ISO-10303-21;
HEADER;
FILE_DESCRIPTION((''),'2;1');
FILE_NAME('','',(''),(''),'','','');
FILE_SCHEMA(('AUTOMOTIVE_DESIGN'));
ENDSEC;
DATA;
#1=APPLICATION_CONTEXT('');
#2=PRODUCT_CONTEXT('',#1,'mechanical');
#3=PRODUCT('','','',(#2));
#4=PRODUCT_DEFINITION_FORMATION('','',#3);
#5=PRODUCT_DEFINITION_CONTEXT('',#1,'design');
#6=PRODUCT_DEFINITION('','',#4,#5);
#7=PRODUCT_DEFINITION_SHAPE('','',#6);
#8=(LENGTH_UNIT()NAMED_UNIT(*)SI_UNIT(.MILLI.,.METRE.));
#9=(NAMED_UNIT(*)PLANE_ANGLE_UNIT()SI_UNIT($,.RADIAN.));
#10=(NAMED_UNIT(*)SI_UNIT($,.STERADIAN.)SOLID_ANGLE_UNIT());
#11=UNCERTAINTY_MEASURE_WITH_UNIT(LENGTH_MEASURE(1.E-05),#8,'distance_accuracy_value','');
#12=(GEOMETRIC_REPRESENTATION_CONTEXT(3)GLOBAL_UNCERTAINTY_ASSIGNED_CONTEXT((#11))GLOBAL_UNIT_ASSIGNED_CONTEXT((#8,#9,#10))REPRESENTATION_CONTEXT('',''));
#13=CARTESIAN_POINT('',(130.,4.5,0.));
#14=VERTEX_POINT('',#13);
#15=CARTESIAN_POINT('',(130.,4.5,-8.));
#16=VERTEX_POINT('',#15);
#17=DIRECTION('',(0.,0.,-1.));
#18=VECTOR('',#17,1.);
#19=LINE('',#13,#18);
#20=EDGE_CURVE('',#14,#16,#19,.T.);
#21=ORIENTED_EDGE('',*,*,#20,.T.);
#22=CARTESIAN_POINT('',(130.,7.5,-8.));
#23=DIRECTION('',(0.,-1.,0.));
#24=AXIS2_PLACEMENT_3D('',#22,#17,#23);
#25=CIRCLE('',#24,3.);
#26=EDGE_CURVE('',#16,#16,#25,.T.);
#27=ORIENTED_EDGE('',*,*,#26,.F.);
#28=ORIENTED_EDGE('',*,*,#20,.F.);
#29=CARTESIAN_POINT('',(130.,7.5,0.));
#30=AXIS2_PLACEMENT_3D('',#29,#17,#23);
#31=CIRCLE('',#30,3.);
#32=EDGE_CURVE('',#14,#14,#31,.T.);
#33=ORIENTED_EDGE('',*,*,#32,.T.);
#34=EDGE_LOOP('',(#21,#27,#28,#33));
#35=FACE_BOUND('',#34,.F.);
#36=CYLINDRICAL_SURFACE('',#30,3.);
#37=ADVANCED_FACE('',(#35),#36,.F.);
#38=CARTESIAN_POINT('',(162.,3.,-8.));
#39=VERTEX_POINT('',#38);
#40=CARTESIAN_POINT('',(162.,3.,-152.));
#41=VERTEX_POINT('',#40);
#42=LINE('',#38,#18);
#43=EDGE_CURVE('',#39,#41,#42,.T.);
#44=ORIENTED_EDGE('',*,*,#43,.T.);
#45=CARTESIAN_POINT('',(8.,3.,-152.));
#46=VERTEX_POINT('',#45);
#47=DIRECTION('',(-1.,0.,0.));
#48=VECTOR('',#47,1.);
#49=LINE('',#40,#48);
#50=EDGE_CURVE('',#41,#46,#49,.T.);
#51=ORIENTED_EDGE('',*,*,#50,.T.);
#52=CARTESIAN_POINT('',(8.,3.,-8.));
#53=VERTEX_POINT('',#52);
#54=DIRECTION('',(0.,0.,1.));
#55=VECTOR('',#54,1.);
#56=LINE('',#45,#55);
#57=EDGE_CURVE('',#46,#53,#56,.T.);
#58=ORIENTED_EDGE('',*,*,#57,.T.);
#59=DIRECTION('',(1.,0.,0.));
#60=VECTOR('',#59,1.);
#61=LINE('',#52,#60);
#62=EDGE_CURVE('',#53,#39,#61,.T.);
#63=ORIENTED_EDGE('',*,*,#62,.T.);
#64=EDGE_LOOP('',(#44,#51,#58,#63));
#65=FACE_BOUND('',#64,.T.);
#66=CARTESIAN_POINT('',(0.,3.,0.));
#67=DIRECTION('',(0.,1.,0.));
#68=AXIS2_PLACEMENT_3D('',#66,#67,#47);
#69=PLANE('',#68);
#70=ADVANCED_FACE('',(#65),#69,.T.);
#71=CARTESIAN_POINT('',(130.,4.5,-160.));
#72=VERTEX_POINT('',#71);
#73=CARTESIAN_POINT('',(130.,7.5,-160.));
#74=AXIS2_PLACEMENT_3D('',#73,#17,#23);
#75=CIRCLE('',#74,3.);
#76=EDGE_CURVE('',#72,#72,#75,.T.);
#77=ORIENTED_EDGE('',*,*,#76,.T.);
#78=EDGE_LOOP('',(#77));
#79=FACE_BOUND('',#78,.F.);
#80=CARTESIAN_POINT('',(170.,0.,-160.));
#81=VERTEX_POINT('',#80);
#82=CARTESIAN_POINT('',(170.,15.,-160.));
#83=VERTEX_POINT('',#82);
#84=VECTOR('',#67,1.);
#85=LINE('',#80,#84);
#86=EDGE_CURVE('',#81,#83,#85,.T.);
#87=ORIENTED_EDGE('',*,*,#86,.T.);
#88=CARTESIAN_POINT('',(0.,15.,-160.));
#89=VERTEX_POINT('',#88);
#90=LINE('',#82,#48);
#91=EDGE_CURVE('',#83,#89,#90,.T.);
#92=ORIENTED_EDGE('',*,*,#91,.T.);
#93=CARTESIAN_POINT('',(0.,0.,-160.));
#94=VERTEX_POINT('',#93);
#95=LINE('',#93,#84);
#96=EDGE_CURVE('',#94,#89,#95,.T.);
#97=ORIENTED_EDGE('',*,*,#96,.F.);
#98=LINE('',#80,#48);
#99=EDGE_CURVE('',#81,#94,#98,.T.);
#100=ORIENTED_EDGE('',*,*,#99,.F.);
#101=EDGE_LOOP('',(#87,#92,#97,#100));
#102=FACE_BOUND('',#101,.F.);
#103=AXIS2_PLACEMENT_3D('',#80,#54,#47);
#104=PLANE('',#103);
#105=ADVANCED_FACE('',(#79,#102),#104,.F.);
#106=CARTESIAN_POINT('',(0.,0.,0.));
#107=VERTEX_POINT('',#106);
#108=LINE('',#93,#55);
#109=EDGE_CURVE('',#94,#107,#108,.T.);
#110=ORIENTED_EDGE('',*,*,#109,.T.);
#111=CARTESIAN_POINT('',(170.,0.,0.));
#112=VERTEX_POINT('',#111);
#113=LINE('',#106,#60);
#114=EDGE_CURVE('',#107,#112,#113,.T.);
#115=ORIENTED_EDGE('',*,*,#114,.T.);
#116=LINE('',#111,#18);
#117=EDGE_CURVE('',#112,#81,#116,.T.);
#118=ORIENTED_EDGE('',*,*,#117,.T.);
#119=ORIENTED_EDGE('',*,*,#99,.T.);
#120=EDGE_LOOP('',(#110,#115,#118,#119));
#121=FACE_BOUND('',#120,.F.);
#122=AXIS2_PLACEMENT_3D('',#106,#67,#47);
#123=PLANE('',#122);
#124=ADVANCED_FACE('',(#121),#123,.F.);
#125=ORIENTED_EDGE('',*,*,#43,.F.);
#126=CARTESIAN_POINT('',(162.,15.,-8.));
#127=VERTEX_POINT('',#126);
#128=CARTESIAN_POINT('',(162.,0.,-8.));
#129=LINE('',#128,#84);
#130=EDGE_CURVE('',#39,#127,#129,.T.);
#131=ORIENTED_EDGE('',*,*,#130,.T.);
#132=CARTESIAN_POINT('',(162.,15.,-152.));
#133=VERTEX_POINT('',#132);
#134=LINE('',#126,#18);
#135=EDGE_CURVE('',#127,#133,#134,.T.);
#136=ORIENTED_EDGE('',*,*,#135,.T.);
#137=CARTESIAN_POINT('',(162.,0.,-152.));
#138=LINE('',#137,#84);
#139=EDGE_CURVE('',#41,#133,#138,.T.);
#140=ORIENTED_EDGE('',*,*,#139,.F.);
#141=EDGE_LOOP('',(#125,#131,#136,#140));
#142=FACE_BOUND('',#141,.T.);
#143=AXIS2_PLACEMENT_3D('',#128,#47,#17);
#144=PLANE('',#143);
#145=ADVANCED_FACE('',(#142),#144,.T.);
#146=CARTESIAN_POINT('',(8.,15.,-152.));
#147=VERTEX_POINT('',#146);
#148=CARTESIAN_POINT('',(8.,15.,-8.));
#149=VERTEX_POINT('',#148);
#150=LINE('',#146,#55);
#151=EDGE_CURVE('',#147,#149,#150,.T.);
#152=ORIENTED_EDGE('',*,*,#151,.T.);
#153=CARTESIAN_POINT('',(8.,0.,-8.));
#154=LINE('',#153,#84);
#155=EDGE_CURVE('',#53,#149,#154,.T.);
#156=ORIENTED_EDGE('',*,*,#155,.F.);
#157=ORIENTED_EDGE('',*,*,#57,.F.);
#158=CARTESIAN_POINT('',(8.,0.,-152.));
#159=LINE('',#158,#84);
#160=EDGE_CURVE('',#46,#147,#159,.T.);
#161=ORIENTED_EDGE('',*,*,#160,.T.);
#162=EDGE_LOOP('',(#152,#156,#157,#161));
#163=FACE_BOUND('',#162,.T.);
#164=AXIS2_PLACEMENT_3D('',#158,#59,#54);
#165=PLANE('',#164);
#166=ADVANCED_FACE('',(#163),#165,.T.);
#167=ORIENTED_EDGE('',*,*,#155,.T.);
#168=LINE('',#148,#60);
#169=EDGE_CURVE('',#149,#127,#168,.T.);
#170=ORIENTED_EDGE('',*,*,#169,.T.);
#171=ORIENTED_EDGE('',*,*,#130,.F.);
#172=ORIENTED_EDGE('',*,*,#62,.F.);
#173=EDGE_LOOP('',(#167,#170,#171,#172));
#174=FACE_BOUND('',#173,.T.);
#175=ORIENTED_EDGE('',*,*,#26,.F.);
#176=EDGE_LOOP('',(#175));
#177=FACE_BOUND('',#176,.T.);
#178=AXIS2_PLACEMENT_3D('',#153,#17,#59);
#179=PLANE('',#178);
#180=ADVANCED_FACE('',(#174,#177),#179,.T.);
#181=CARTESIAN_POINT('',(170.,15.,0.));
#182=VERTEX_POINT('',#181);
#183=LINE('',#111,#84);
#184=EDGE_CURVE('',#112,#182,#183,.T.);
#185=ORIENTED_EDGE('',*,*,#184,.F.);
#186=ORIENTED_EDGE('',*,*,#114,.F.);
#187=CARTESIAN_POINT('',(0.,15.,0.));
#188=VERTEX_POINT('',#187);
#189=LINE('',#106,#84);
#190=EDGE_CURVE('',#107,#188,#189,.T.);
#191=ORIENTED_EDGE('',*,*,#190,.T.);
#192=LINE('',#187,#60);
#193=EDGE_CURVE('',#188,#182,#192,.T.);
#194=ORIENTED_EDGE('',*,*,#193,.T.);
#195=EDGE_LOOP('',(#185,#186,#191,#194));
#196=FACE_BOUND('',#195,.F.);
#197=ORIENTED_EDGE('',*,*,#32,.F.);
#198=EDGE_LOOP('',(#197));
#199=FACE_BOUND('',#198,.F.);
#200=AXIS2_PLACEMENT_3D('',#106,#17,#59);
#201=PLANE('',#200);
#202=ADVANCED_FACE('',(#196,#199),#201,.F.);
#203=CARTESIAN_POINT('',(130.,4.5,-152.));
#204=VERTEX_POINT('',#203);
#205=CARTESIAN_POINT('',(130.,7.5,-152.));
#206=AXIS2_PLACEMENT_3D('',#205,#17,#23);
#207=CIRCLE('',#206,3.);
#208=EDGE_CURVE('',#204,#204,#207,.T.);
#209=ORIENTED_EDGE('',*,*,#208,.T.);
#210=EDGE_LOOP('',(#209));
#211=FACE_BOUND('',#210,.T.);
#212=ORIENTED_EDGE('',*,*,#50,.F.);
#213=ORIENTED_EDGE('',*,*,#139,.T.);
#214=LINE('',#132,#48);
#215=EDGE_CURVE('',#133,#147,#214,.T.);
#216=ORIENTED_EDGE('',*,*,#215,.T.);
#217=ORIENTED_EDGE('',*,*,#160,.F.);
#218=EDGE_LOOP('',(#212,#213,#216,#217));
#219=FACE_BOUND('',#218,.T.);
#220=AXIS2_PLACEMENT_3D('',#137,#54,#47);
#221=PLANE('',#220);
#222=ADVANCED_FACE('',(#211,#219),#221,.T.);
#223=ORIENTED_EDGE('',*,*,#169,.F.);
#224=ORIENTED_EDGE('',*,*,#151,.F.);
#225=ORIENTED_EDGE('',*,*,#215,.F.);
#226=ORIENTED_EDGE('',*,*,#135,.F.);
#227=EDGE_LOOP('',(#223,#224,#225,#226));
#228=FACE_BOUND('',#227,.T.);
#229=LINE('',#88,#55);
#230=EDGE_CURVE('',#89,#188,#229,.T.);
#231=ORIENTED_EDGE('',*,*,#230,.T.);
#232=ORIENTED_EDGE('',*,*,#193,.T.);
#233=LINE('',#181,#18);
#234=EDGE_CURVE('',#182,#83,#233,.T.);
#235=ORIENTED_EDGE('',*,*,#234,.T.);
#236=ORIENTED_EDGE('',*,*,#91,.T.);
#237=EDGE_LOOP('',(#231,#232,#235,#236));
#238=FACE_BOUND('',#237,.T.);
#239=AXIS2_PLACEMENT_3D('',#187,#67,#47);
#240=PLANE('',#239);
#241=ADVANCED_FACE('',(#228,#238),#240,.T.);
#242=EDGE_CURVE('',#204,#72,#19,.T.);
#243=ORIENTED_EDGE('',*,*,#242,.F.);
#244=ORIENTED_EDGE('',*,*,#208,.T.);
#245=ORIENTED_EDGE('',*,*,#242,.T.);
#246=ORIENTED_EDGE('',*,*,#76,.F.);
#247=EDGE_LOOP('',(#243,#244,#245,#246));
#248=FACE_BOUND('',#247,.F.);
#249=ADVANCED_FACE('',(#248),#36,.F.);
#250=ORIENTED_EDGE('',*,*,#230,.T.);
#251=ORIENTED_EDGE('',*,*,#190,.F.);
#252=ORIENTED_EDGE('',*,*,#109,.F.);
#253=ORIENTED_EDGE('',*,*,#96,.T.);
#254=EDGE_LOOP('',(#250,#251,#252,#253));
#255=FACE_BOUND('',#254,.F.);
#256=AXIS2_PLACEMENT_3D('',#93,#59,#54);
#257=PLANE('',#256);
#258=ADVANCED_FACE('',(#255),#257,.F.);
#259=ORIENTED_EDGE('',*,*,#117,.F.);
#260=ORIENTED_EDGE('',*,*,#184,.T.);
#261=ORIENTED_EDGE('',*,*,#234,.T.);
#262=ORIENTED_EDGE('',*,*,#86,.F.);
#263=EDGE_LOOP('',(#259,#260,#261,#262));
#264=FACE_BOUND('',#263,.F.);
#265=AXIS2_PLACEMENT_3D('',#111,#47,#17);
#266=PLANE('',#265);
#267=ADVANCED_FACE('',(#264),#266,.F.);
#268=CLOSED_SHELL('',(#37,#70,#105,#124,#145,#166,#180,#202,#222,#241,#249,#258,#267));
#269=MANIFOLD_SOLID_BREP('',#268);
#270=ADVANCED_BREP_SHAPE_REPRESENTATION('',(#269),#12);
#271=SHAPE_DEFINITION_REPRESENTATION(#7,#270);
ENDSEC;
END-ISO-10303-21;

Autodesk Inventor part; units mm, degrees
ref_plane "YZ Plane" through (0, 0, 0) normal (1, 0, 0) x (0, 1, 0)
ref_plane "XZ Plane" through (0, 0, 0) normal (0, 1, 0) x (-1, 0, 0)
ref_plane "XY Plane" through (0, 0, 0) normal (0, 0, 1) x (1, 0, 0)
sketch "Sketch2" plane through (0, 0, 0) normal (0, 1, 0) x (-1, 0, 0)
  line L0 (0, 0) -> (-170, 0)
  line L1 (-170, 0) -> (-170, -160)
  line L2 (-170, -160) -> (0, -160)
  line L3 (0, -160) -> (0, 0)
  line L4 (-8, -8) -> (-162, -8)
  line L5 (-162, -8) -> (-162, -152)
  line L6 (-162, -152) -> (-8, -152)
  line L7 (-8, -152) -> (-8, -8)
  dimension "d0" = 170
  dimension "d1" = 160
  dimension "d2" = 154
  dimension "d3" = 144
  dimension "d4" = 8
  dimension "d5" = 8
extrude "Extrusion1" add sketch "Sketch2" along normal blind 15
extrude "Extrusion2" add sketch "Sketch2" along normal blind 3 contours L7 L6 L5 L4
sketch "Sketch3" plane through (0, 0, 0) normal (0, 0, 1) x (1, 0, 0)
  line L0 (0, 0) -> (0, 7.5)
  line L1 (0, 0) -> (0, 15) projected
  line L2 (0, 7.5) -> (170, 7.5)
  line L3 (170, 0) -> (170, 15) projected
  line L4 (0, 7.5) -> (40, 7.5)
  line L5 (170, 7.5) -> (130, 7.5)
  dimension "d10" = 40
  dimension "d11" = 40
hole "Hole1" at (130, 7.5, 0) direction (0, 0, -1) diameter 6 depth 160
properties part number "baseplate"
